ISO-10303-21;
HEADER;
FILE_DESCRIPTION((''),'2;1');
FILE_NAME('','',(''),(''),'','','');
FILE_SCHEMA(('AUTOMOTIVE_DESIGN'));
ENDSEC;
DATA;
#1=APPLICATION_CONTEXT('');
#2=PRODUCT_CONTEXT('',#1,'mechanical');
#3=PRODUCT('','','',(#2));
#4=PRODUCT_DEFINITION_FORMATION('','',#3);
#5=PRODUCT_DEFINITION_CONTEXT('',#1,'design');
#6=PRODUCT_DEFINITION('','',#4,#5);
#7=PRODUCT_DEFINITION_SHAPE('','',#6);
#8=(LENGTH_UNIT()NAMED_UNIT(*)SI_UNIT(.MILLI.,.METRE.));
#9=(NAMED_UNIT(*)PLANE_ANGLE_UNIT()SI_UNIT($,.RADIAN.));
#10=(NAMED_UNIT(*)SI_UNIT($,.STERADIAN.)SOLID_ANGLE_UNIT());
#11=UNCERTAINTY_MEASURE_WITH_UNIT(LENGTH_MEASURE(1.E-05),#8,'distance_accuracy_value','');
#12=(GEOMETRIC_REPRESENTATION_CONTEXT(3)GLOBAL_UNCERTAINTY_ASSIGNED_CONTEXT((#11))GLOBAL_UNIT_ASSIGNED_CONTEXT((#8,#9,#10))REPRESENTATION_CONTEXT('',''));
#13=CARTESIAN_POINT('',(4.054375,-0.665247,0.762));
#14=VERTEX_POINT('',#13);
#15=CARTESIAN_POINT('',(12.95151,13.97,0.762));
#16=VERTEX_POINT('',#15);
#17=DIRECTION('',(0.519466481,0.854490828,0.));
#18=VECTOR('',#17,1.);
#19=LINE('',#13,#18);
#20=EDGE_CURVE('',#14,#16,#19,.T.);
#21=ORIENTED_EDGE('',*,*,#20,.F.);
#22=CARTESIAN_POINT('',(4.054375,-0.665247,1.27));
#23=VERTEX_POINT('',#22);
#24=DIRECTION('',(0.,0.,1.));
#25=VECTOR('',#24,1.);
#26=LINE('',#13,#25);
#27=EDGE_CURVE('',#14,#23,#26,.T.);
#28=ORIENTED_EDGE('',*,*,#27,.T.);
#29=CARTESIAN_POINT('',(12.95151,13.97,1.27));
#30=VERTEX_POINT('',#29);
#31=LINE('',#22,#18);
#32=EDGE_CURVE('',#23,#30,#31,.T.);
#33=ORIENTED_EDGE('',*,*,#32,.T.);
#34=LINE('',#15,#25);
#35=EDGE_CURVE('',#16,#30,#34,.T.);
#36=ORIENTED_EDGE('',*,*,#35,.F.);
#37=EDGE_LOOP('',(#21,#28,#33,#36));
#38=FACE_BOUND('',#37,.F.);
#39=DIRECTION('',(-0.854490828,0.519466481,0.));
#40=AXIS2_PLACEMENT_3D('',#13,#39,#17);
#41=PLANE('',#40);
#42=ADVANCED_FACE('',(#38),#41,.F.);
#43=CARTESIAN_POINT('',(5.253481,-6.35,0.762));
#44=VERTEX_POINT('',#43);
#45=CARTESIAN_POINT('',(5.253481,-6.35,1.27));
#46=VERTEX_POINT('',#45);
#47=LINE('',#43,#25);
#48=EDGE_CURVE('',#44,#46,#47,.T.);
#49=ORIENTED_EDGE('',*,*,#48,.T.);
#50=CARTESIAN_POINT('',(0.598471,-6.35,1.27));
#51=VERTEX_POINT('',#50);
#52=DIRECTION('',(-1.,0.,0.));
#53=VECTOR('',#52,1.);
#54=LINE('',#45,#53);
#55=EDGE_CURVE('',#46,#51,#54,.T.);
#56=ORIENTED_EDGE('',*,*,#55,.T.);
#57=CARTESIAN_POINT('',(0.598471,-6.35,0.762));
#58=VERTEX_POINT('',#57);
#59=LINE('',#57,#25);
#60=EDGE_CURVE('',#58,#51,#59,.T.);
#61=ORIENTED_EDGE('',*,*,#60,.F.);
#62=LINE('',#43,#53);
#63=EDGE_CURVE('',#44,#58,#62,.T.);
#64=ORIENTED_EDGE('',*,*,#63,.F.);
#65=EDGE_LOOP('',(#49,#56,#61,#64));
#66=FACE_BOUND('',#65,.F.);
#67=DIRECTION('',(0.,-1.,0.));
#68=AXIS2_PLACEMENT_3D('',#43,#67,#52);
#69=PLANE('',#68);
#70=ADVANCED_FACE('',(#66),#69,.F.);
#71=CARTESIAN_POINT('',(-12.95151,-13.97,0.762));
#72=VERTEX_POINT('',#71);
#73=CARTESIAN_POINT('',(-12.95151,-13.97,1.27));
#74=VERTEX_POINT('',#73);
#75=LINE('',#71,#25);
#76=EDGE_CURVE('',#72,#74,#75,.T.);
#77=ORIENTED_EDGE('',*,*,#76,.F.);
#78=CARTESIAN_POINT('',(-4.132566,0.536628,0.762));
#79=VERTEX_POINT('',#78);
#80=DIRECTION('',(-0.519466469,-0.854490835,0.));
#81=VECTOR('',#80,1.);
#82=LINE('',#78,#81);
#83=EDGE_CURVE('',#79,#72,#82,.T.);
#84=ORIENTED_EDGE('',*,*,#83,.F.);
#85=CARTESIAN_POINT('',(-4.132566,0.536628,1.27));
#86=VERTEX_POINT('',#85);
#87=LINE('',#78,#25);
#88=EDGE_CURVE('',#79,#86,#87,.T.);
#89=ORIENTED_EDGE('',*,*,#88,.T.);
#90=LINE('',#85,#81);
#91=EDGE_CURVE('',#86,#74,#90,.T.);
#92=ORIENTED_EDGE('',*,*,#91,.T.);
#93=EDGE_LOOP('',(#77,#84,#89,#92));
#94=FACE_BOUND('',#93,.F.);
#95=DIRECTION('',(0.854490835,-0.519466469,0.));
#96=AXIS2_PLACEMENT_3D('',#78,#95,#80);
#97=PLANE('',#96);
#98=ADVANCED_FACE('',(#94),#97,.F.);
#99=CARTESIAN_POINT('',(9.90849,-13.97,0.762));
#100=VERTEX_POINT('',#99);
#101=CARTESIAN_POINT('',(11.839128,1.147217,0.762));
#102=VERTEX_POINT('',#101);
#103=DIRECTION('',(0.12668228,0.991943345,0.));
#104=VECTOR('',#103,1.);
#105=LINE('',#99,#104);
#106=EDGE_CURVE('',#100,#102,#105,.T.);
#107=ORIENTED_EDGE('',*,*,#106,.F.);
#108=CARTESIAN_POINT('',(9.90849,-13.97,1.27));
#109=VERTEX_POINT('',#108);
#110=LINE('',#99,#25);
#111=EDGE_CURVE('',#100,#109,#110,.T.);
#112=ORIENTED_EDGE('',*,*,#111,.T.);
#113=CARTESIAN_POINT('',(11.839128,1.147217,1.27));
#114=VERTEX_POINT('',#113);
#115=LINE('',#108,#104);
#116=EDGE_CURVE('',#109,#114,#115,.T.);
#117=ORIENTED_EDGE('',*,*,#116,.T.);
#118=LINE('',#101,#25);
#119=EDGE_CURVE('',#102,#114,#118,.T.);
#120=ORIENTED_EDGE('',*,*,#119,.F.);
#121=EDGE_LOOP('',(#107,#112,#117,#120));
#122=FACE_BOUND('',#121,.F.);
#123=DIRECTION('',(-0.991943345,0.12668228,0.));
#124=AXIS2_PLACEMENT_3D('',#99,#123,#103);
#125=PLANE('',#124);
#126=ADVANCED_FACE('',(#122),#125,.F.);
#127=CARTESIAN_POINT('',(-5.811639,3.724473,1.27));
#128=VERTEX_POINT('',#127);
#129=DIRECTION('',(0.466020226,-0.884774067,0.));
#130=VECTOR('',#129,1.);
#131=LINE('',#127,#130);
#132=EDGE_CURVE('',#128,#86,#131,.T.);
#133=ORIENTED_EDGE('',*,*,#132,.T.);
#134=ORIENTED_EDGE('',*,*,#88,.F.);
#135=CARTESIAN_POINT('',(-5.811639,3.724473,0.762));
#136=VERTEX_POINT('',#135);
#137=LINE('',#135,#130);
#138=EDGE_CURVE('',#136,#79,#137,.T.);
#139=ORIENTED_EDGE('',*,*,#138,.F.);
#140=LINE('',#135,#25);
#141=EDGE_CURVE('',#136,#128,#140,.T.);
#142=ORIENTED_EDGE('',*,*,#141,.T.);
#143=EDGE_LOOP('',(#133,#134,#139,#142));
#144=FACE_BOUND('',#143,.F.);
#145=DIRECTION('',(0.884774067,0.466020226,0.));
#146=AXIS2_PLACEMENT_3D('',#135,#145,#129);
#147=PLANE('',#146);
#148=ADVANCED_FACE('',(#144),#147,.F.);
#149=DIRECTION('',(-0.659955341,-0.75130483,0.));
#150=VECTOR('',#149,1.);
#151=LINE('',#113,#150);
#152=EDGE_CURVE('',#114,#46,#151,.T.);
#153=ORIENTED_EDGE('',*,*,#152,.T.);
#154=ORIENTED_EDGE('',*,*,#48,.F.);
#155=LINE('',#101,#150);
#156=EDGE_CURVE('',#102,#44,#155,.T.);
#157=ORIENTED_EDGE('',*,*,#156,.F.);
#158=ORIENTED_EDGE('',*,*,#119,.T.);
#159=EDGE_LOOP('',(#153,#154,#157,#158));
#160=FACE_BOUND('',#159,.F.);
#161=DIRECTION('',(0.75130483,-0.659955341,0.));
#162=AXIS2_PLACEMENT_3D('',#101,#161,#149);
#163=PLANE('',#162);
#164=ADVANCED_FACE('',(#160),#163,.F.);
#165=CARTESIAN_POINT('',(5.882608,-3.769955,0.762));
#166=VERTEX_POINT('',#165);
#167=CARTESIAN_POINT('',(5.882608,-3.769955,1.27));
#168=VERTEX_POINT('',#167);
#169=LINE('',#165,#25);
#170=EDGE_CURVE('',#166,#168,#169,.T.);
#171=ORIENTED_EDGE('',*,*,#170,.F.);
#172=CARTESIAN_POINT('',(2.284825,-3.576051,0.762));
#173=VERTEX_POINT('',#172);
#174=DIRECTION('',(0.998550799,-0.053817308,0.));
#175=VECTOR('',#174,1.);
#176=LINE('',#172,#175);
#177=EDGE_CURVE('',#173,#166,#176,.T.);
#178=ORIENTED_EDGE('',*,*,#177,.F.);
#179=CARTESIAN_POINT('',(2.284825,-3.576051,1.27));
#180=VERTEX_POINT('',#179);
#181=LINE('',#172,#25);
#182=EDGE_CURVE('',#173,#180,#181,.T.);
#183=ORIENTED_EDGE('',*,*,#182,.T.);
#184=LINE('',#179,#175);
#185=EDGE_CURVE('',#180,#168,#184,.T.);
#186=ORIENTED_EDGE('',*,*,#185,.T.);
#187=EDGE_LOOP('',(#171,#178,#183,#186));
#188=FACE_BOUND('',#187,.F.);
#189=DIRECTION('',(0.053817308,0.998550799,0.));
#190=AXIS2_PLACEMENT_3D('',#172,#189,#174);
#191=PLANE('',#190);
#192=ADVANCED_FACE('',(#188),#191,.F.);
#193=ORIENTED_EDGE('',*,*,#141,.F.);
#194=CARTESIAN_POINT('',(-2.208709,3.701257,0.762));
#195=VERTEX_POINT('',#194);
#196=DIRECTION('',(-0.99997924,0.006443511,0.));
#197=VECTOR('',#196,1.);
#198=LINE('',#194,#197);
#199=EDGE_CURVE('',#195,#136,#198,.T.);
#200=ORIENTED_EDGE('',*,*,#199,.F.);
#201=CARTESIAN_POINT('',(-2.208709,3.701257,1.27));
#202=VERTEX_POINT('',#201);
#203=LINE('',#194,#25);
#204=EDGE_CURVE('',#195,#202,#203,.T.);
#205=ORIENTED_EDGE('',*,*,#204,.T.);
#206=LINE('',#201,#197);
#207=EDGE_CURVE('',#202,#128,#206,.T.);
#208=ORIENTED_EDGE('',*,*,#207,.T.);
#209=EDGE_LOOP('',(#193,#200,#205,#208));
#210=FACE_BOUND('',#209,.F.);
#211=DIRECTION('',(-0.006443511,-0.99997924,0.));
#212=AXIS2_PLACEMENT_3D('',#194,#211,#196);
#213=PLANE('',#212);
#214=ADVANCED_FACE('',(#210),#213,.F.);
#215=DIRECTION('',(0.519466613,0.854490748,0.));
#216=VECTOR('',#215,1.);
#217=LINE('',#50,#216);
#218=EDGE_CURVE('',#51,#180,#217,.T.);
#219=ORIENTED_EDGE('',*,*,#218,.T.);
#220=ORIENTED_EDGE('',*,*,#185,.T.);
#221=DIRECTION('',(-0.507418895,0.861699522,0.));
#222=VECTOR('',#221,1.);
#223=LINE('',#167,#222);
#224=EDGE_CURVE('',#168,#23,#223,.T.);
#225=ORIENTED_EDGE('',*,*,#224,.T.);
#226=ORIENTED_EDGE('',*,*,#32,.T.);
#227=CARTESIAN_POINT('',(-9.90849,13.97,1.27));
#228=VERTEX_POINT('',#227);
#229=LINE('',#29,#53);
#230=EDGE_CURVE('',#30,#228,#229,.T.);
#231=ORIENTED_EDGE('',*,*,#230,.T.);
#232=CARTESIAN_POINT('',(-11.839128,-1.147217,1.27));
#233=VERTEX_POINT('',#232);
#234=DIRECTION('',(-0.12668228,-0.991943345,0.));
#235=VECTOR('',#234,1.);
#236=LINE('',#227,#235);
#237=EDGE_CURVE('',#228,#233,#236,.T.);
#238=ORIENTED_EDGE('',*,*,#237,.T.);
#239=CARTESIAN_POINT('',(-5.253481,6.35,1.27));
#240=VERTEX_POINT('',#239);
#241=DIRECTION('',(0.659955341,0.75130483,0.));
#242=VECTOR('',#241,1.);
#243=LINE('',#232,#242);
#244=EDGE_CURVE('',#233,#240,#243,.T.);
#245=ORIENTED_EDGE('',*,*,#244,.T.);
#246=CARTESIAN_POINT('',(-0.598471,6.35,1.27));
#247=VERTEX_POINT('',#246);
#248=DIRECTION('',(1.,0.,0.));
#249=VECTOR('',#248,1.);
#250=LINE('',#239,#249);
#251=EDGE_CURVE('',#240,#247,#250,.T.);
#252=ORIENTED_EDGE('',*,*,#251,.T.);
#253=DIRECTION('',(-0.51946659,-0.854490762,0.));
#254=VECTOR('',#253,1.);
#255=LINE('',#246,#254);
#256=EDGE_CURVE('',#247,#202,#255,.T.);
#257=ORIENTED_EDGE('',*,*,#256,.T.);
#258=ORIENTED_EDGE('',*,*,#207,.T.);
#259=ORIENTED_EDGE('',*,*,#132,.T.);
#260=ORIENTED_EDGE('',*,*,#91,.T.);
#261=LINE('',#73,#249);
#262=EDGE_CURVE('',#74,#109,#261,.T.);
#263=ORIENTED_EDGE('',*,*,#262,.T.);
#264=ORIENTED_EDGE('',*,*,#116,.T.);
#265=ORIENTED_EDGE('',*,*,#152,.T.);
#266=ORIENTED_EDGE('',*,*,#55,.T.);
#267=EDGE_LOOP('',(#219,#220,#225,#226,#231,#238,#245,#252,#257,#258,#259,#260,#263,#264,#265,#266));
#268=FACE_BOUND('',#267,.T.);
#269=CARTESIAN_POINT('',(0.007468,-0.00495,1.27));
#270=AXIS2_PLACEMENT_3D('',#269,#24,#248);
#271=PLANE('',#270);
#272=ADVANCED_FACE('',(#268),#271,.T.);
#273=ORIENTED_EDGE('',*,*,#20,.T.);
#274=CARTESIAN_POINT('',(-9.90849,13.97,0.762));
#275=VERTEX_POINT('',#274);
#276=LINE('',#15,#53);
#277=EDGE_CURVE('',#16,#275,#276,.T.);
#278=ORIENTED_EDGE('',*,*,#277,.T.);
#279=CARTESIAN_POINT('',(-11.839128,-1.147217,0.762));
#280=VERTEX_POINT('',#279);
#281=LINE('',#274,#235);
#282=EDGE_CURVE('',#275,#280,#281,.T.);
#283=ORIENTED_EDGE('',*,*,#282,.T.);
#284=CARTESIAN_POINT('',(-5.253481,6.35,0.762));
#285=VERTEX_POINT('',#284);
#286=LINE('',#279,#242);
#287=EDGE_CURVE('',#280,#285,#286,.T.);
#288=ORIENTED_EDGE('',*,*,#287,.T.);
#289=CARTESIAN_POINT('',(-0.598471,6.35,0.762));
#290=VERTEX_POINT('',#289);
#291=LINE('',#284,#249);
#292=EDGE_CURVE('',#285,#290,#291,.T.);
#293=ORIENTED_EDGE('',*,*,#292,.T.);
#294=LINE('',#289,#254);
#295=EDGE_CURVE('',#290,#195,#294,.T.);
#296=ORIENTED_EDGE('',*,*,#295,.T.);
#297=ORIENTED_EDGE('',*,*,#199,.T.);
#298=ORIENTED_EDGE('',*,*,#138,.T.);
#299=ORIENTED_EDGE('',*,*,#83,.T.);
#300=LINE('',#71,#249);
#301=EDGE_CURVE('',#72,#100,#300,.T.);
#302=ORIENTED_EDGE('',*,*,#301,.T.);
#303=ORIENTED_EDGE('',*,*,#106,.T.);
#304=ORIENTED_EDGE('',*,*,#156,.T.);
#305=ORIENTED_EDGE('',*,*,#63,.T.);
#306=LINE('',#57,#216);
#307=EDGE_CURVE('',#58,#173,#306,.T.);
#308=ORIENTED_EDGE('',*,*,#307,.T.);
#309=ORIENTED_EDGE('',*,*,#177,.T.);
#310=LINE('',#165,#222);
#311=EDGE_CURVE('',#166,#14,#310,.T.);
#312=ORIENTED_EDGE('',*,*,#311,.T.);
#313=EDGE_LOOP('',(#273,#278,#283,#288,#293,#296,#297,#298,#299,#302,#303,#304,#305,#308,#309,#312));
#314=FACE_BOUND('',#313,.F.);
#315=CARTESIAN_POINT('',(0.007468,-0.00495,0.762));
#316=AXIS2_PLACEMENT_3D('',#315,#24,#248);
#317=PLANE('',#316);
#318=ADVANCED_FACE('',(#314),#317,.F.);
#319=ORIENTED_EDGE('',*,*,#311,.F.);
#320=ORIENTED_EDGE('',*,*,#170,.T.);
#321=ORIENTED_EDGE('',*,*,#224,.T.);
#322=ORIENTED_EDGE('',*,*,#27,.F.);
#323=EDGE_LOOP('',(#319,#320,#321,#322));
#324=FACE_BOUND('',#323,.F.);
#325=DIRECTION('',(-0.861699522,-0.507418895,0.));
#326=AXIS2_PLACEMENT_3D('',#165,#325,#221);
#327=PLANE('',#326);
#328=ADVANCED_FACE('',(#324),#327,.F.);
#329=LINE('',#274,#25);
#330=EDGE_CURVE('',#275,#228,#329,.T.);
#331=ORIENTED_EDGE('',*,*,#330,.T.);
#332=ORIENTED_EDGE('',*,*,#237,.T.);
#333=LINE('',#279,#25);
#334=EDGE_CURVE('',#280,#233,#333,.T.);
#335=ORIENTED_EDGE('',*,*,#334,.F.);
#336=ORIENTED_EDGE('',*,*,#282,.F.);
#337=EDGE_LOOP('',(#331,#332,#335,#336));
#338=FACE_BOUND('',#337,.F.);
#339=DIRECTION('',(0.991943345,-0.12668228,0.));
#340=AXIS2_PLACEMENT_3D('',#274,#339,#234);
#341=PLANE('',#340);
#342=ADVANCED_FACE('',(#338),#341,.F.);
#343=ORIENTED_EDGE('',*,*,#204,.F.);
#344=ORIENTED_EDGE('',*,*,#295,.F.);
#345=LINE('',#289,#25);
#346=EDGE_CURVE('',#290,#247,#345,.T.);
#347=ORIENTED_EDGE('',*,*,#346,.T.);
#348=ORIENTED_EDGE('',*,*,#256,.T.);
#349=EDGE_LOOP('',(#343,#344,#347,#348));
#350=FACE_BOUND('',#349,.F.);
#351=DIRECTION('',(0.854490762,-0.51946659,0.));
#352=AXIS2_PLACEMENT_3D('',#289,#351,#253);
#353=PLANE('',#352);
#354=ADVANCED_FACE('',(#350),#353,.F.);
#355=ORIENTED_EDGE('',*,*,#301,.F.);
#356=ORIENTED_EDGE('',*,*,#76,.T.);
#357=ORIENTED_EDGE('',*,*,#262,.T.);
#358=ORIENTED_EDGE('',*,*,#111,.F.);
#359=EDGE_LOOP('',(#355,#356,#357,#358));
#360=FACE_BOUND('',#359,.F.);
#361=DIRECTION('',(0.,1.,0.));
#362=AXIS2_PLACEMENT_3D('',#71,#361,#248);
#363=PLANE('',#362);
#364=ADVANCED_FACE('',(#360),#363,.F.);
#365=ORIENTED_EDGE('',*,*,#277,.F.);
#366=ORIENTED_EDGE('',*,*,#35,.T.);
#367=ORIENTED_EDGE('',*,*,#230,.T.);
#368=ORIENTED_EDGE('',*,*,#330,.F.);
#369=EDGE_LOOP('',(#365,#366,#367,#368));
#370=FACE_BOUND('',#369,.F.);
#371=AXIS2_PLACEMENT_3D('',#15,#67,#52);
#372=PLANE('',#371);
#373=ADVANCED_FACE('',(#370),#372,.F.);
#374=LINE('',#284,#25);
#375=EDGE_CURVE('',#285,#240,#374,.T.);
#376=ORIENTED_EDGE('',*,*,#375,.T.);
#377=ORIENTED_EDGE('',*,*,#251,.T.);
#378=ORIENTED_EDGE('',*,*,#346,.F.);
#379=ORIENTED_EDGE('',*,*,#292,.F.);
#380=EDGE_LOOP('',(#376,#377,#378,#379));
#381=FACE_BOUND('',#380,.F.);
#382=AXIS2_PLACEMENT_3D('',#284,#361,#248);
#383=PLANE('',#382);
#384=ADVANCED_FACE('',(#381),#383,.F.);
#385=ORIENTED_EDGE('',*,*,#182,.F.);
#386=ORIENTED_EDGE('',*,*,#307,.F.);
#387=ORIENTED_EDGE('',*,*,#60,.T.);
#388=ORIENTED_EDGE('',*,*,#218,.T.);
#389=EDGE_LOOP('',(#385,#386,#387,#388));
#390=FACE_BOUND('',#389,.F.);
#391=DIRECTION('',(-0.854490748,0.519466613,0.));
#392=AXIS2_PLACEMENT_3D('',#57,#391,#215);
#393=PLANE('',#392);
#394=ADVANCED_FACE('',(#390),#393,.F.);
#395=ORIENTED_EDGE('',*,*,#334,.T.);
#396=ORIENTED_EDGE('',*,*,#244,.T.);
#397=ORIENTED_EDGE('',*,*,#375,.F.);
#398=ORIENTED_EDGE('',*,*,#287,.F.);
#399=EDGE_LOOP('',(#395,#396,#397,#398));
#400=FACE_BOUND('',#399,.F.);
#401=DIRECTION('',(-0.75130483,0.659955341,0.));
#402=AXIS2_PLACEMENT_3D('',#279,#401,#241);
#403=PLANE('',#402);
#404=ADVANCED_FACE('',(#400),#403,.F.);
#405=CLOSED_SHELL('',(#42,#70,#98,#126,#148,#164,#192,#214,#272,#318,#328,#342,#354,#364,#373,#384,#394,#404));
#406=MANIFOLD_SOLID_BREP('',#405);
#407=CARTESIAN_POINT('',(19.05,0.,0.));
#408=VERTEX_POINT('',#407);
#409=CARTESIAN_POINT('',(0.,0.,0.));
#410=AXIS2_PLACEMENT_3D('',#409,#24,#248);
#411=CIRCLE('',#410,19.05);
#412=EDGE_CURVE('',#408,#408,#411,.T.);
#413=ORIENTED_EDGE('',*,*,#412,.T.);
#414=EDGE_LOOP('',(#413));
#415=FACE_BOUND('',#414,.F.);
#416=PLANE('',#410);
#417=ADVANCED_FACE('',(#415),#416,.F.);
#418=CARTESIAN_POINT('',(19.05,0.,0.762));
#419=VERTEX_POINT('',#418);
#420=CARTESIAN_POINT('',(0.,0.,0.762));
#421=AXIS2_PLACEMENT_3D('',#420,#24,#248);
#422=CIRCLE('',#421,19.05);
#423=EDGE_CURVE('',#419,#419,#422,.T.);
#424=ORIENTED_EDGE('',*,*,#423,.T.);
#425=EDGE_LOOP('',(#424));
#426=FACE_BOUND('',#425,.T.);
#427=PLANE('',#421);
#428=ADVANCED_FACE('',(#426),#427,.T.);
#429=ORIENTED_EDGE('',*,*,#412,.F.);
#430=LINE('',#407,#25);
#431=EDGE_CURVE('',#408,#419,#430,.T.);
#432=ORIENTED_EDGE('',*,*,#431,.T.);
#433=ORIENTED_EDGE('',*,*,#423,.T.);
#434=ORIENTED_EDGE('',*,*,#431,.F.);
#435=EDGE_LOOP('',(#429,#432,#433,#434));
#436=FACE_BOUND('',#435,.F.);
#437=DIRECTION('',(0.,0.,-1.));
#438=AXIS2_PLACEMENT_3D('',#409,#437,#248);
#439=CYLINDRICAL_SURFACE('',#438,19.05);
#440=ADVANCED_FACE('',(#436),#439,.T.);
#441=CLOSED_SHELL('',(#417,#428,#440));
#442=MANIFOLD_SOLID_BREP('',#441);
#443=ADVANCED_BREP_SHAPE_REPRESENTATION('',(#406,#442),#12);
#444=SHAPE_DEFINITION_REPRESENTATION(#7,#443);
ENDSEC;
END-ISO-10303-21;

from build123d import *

# Parameters (mm, degrees)
F0_R     = 19.05
F1_DEPTH = 0.762
F3_DEPTH = 0.508


with BuildPart() as f1:
    # F0 (on Top) → F1 (new body)
    with BuildSketch(Plane.XY):
        Circle(F0_R)
    extrude(amount=F1_DEPTH)


with BuildPart() as f3:
    # F2 (on face) → F3 (new body)
    with BuildSketch(Plane.XY.offset(0.762)):
        Polygon((12.95151, 13.97), (-9.90849, 13.97), (-11.839128, -1.147217), (-5.253481, 6.35), (-0.598471, 6.35), (-2.208709, 3.701257), (-5.811639, 3.724473), (-4.132566, 0.536628), (-12.95151, -13.97), (9.90849, -13.97), (11.839128, 1.147217), (5.253481, -6.35), (0.598471, -6.35), (2.284825, -3.576051), (5.882608, -3.769955), (4.054375, -0.665247), align=None)
    extrude(amount=F3_DEPTH)


solid = Compound([f1.part, f3.part])
